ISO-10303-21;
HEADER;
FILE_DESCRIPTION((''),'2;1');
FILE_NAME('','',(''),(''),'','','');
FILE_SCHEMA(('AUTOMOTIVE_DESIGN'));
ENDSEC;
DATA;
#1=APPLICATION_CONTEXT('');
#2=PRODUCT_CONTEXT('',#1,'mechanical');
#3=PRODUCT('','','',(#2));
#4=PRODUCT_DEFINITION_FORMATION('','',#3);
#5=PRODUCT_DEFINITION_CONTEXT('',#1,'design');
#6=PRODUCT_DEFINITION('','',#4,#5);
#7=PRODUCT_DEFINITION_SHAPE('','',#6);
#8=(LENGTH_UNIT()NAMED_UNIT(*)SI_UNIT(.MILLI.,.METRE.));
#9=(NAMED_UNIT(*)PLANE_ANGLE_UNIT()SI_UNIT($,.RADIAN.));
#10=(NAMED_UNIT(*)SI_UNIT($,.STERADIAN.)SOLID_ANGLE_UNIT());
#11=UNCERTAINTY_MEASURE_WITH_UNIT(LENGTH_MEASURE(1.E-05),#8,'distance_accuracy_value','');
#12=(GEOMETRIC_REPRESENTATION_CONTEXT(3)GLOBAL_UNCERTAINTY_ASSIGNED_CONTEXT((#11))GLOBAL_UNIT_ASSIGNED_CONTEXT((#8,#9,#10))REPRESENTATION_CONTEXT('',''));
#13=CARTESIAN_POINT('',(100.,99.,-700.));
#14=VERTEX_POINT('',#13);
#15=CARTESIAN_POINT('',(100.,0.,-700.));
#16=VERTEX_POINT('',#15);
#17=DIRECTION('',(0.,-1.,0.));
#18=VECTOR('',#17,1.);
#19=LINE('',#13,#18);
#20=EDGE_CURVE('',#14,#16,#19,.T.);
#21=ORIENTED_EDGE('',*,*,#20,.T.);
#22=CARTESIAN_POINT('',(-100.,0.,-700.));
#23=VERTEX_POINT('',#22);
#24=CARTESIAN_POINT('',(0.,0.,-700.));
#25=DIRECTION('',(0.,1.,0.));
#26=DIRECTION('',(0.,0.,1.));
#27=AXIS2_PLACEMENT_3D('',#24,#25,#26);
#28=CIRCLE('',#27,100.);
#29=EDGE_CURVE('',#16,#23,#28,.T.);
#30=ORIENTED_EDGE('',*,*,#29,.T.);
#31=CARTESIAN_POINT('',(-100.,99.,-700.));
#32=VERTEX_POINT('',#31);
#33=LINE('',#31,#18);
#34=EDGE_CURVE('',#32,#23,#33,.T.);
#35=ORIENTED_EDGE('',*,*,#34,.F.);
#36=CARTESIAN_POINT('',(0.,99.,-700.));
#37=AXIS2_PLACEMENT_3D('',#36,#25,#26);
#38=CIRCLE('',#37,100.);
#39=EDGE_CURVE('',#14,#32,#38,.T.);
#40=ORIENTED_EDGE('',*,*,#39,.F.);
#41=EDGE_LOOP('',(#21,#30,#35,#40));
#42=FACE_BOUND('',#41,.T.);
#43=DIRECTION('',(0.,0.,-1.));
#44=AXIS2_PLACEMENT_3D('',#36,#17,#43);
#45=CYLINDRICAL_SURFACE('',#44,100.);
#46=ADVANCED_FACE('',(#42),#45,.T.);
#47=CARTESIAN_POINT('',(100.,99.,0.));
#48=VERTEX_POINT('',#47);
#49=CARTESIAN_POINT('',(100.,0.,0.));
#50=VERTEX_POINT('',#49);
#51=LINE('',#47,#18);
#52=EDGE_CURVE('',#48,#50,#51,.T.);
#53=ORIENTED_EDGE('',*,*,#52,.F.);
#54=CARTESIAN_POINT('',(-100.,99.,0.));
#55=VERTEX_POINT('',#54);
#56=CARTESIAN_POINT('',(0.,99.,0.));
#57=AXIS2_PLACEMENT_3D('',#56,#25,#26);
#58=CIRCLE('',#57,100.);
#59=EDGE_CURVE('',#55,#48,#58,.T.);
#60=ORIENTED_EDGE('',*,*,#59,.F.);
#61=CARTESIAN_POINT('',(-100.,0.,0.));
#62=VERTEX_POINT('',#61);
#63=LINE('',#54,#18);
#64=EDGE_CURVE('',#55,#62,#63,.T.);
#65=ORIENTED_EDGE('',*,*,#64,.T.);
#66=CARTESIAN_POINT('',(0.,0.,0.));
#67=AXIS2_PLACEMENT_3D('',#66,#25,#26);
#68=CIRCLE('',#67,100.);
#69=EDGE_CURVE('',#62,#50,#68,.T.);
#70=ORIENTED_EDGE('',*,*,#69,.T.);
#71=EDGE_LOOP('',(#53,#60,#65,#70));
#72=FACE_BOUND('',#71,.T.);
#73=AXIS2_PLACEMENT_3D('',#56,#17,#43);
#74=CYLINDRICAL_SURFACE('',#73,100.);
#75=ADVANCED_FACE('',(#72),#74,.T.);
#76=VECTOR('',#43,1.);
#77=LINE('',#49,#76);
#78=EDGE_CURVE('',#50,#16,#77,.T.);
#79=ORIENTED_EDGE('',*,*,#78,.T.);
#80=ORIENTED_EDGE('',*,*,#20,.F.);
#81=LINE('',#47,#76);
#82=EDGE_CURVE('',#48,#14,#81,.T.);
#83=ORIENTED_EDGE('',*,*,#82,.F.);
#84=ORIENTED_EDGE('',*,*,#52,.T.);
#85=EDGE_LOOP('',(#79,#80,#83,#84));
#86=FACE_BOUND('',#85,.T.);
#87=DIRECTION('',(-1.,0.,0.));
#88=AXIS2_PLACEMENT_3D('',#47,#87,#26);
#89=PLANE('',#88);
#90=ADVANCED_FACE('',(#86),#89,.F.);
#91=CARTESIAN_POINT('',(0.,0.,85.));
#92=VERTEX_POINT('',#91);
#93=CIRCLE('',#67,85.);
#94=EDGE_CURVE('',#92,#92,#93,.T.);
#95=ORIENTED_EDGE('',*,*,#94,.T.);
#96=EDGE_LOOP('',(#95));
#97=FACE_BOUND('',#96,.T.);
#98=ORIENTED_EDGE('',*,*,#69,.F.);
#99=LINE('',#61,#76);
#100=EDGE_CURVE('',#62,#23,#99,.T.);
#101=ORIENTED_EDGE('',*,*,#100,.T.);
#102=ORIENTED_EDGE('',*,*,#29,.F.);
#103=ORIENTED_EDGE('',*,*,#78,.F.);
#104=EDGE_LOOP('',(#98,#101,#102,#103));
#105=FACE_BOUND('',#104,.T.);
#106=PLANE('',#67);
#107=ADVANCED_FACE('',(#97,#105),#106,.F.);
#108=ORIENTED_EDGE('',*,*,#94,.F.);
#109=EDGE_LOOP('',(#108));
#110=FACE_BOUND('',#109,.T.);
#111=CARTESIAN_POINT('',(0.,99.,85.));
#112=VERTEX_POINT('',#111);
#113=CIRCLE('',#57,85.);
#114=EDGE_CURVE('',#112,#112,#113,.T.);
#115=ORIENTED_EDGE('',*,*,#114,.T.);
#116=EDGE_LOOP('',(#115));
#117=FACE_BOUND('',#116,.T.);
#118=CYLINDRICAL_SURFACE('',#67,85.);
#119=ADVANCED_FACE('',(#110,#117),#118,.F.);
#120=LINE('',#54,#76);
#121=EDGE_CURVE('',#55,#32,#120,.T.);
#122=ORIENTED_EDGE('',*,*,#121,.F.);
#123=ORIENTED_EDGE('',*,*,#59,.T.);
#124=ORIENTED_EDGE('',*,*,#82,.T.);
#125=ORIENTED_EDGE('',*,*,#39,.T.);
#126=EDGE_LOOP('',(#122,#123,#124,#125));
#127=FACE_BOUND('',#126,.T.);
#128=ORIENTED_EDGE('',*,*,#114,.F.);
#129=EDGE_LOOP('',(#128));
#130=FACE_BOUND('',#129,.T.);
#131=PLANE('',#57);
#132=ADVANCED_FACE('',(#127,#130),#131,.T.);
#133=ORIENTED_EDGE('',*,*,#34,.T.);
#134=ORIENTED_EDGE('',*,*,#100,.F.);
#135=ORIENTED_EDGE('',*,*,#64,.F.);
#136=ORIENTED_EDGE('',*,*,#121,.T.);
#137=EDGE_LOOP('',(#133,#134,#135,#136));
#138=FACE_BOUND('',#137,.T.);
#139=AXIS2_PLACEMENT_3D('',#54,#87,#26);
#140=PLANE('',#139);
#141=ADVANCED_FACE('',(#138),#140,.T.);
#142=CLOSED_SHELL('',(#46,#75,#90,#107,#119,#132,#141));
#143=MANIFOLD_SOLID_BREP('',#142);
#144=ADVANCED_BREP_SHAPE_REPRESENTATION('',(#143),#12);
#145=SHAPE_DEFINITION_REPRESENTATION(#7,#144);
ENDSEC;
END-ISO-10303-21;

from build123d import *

# Parameters (mm, degrees)
BOSS_EXTRUDE1_DEPTH = 99
SKETCH2_R           = 85
CUT_EXTRUDE1_DEPTH  = 99


with BuildPart() as part:
    # Sketch1 → Boss-Extrude1 (new body)
    with BuildSketch(Plane(origin=(0, 0, 0), x_dir=(1, 0, 0), z_dir=(0, 1, 0))):
        with BuildLine():
            ThreePointArc((-100, 0), (0, -100), (100, 0))
            Line((100, 0), (-100, 0))
        make_face()
        with BuildLine():
            Line((-100, 0), (100, 0))
            ThreePointArc((100, 0), (0, 100), (-100, 0))
        make_face()
        with BuildLine():
            ThreePointArc((-100, 0), (0, 100), (100, 0))
            Line((100, 0), (100, 700))
            ThreePointArc((100, 700), (0, 600), (-100, 700))
            Line((-100, 700), (-100, 0))
        make_face()
        with BuildLine():
            ThreePointArc((-100, 700), (0, 600), (100, 700))
            Line((100, 700), (-100, 700))
        make_face()
        with BuildLine():
            Line((-100, 700), (100, 700))
            ThreePointArc((100, 700), (0, 800), (-100, 700))
        make_face()
    extrude(amount=BOSS_EXTRUDE1_DEPTH)

    # Sketch2 → Cut-Extrude1 (cut)
    with BuildSketch(Plane(origin=(0, 99, 0), x_dir=(1, 0, 0), z_dir=(0, 1, 0))):
        with Locations(Location((0, 0, 0), (0, 0, 270))):
            Circle(SKETCH2_R)
    extrude(amount=-CUT_EXTRUDE1_DEPTH, mode=Mode.SUBTRACT)


solid = part.part
